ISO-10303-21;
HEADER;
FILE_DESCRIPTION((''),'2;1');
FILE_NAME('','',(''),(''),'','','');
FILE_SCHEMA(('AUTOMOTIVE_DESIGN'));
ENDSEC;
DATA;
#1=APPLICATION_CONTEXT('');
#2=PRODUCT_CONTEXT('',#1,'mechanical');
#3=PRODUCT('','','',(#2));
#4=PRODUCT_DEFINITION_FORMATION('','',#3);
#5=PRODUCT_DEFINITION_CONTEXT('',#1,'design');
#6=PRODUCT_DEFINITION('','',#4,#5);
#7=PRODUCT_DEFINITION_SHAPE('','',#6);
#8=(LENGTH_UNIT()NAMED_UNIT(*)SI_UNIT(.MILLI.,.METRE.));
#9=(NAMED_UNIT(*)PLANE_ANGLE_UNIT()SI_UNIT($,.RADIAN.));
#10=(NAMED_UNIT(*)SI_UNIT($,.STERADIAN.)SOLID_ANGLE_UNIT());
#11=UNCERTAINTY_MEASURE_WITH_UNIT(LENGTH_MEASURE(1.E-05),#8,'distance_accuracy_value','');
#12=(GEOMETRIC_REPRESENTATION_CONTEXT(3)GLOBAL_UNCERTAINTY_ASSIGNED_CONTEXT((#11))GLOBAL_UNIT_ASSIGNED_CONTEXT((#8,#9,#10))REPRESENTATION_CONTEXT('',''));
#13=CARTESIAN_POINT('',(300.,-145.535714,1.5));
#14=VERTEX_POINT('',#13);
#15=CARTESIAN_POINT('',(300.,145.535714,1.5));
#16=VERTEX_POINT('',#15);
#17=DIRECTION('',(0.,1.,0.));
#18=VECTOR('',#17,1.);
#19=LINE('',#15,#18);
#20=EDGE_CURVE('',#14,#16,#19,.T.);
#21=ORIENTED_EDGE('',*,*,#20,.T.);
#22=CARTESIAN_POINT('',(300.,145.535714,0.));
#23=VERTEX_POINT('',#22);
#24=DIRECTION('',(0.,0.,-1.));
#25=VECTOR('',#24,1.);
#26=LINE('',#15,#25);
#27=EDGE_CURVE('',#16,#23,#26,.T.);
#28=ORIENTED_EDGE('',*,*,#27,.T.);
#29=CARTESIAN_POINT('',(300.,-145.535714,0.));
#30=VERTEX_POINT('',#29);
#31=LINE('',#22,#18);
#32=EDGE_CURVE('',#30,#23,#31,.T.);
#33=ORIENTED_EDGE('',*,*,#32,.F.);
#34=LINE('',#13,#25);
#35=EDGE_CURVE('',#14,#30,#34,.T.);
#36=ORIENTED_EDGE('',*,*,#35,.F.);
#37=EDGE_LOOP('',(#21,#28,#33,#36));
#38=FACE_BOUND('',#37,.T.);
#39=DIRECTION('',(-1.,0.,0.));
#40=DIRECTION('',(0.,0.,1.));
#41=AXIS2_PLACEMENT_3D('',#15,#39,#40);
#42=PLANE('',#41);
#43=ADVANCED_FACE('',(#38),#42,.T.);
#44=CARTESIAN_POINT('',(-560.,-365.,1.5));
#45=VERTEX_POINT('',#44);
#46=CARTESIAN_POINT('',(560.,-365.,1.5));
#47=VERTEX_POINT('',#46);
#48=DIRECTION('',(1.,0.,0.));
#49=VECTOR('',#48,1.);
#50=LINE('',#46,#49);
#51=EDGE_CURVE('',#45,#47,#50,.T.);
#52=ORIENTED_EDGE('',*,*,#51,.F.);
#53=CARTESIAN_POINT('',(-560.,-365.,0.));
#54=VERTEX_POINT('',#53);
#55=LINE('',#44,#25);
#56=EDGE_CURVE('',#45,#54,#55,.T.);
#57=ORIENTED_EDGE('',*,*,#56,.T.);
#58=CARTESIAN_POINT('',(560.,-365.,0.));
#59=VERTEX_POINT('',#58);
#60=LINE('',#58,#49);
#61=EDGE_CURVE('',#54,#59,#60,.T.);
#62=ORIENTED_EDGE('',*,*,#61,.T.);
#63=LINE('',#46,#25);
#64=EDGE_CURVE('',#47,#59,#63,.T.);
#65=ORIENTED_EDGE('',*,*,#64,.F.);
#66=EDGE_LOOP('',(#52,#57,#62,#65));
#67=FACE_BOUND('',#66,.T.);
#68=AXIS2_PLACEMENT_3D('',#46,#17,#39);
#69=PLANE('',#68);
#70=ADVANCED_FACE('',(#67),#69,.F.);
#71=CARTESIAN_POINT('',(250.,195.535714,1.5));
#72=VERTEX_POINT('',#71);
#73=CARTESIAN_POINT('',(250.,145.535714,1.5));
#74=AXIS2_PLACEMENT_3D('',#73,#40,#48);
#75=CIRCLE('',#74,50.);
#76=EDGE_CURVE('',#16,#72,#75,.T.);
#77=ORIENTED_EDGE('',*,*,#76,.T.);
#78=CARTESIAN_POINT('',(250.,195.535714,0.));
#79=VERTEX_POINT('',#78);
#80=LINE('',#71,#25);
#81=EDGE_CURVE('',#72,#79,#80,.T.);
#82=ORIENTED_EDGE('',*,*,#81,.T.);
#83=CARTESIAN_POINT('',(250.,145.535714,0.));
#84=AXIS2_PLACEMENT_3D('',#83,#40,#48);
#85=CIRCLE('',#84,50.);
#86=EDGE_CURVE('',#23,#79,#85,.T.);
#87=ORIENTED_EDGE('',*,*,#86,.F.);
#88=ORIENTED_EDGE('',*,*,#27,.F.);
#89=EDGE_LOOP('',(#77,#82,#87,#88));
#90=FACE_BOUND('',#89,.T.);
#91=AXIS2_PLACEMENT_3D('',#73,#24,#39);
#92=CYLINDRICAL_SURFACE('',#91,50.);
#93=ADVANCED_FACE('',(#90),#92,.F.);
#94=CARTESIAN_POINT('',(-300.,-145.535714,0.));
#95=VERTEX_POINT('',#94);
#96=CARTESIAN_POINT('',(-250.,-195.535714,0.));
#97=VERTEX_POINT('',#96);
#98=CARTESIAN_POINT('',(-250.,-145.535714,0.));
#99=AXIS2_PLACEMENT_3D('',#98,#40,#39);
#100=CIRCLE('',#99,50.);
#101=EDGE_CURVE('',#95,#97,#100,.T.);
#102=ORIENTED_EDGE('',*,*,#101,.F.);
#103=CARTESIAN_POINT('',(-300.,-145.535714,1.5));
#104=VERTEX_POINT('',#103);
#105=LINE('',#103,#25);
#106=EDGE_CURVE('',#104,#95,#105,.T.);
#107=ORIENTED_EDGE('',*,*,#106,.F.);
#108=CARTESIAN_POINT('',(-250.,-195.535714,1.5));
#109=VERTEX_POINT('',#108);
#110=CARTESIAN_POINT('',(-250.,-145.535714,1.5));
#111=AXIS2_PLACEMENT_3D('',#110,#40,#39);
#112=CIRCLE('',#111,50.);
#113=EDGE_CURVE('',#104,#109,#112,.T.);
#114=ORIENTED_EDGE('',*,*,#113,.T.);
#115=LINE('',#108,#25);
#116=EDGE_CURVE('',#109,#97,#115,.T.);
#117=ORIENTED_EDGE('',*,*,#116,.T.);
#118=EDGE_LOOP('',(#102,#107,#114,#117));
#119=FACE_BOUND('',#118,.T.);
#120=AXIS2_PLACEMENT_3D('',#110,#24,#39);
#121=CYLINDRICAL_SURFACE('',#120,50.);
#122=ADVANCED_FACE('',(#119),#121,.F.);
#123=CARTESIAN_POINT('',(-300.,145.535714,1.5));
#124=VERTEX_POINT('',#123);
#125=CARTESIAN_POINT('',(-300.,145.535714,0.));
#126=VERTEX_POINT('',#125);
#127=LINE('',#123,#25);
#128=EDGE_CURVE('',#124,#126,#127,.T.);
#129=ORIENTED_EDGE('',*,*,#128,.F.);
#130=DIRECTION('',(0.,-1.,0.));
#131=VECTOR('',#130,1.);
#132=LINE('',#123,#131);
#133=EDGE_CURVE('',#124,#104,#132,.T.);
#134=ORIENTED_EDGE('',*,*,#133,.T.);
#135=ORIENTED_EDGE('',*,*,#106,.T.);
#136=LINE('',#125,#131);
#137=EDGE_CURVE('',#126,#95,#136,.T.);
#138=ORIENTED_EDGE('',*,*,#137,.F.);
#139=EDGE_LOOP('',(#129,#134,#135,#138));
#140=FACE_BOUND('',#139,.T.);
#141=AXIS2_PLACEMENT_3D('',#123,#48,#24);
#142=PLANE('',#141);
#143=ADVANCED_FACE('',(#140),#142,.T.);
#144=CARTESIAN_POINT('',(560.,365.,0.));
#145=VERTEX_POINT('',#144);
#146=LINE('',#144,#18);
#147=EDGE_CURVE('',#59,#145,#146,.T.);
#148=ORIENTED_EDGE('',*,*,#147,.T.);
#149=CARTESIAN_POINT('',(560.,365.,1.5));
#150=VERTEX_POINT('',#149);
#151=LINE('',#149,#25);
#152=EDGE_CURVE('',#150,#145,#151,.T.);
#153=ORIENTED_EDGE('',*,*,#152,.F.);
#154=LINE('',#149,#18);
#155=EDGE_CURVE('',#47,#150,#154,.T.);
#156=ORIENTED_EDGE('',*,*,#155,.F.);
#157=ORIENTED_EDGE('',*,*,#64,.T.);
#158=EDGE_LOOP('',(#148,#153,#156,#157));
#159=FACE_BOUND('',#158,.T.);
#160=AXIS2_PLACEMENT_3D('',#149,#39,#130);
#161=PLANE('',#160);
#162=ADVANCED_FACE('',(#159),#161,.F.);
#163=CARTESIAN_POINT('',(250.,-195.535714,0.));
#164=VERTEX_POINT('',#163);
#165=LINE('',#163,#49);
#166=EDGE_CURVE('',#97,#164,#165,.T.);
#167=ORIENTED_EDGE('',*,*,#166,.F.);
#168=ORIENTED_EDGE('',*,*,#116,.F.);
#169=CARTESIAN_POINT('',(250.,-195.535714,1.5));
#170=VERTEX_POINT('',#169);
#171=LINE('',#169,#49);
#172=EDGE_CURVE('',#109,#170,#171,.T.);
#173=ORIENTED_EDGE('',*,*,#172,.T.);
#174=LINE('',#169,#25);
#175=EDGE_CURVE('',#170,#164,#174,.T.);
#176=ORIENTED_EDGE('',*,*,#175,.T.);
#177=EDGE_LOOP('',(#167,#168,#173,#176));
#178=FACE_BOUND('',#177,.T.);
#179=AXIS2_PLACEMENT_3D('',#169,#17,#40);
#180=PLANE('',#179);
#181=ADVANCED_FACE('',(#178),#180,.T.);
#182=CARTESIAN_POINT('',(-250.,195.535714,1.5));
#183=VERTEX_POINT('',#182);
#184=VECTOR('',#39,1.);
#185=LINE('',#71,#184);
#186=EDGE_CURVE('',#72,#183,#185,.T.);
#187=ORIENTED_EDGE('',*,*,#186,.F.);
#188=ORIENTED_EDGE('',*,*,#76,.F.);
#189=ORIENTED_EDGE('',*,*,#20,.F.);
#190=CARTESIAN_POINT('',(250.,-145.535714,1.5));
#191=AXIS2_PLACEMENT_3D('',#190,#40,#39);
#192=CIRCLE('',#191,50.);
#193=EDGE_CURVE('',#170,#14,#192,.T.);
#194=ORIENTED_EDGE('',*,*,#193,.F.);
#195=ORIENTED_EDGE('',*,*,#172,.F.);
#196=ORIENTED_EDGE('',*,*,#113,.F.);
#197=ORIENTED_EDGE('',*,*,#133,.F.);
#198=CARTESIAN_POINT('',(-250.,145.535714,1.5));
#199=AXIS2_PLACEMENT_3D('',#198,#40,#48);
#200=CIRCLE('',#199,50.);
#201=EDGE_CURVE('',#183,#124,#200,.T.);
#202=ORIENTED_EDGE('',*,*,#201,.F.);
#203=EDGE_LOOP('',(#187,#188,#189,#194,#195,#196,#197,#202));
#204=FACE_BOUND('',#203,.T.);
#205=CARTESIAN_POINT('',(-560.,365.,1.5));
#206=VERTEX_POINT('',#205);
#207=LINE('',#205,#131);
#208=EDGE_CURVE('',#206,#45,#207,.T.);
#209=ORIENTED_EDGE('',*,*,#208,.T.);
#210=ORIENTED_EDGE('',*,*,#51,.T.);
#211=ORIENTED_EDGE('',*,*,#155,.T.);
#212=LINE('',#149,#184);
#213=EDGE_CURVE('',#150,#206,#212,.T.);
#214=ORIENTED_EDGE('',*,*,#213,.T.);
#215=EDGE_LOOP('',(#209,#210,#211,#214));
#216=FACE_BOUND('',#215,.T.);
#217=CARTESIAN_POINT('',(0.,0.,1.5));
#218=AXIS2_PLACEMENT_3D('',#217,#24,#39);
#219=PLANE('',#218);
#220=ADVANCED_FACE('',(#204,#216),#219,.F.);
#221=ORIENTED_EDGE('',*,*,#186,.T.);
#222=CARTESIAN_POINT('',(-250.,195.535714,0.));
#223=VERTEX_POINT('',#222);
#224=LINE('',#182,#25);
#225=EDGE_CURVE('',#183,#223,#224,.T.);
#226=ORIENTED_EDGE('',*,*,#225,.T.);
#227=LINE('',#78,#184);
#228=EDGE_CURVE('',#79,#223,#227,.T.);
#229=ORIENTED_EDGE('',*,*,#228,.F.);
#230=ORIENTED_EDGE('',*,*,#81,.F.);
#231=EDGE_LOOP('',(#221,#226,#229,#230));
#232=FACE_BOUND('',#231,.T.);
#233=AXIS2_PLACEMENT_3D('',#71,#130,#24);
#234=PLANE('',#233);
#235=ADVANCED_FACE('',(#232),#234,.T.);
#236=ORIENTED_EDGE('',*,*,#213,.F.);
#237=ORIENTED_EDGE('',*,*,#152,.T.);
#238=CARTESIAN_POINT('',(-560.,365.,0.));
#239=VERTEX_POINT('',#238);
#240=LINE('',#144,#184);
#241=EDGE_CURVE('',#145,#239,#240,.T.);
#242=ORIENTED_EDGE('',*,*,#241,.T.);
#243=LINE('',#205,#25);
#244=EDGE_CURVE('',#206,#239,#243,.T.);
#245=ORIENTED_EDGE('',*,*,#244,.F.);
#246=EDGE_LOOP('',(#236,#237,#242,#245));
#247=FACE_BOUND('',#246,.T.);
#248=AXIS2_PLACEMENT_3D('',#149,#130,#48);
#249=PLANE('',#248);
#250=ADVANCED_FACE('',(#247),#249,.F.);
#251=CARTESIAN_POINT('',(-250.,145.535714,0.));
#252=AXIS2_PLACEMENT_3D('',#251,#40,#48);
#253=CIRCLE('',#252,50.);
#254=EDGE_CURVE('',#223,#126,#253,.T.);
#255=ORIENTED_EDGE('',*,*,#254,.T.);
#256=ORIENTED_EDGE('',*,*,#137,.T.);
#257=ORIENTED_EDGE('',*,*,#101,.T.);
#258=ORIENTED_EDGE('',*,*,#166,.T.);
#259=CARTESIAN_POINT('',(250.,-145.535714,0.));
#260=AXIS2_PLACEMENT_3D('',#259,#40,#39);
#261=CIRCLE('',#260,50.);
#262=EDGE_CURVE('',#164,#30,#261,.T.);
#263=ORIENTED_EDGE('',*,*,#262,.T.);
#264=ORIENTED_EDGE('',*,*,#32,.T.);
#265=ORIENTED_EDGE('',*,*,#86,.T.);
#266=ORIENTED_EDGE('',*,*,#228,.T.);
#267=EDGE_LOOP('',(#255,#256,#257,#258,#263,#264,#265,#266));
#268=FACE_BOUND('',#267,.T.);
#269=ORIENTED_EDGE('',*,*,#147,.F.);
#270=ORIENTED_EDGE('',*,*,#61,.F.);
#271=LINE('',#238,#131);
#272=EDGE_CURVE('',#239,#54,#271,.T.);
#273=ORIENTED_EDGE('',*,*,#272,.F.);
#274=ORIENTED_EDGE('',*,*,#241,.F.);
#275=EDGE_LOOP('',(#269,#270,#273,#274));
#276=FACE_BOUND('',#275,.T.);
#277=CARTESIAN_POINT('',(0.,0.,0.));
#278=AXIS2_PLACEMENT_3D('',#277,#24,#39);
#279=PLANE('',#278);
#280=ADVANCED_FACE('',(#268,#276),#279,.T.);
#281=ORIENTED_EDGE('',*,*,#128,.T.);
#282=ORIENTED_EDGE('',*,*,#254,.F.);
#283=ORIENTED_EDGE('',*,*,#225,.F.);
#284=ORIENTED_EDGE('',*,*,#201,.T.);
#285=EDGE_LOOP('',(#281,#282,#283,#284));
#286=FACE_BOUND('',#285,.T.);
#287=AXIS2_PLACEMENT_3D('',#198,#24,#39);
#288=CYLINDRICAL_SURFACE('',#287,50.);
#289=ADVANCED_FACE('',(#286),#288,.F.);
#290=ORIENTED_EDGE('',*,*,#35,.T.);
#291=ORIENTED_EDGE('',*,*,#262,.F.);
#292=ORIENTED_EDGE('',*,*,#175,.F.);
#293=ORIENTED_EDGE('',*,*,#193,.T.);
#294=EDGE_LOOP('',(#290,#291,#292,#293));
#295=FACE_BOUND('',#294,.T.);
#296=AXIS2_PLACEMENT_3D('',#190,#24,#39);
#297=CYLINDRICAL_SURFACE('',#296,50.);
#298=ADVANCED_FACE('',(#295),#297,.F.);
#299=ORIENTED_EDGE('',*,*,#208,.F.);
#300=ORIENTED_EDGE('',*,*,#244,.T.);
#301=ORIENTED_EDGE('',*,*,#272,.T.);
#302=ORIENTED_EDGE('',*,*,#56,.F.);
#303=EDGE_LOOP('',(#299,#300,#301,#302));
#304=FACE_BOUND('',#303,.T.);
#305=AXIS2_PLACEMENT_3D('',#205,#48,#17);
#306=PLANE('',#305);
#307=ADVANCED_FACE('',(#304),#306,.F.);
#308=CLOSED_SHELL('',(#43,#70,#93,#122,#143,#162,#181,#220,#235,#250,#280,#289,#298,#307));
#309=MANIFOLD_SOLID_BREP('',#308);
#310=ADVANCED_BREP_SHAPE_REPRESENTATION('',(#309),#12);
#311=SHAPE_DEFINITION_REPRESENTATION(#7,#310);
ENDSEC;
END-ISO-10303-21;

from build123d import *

# Parameters (mm, degrees)
SKETCH1_W           = 1120
SKETCH1_H           = 730
BOSS_EXTRUDE2_DEPTH = 1.5


with BuildPart() as part:
    # Sketch1 → Boss-Extrude2 (new body)
    with BuildSketch(Plane.XY):
        Rectangle(SKETCH1_W, SKETCH1_H)
        with BuildLine():
            Line((250, 195.535714286), (-250, 195.535714286))
            ThreePointArc((-250, 195.535714286), (-285.355339059, 180.891053345), (-300, 145.535714286))
            Line((-300, 145.535714286), (-300, -145.535714286))
            ThreePointArc((-300, -145.535714286), (-285.355339059, -180.891053345), (-250, -195.535714286))
            Line((-250, -195.535714286), (250, -195.535714286))
            ThreePointArc((250, -195.535714286), (285.355339059, -180.891053345), (300, -145.535714286))
            Line((300, -145.535714286), (300, 145.535714286))
            ThreePointArc((300, 145.535714286), (285.355339059, 180.891053345), (250, 195.535714286))
        make_face(mode=Mode.SUBTRACT)
    extrude(amount=BOSS_EXTRUDE2_DEPTH)


solid = part.part
